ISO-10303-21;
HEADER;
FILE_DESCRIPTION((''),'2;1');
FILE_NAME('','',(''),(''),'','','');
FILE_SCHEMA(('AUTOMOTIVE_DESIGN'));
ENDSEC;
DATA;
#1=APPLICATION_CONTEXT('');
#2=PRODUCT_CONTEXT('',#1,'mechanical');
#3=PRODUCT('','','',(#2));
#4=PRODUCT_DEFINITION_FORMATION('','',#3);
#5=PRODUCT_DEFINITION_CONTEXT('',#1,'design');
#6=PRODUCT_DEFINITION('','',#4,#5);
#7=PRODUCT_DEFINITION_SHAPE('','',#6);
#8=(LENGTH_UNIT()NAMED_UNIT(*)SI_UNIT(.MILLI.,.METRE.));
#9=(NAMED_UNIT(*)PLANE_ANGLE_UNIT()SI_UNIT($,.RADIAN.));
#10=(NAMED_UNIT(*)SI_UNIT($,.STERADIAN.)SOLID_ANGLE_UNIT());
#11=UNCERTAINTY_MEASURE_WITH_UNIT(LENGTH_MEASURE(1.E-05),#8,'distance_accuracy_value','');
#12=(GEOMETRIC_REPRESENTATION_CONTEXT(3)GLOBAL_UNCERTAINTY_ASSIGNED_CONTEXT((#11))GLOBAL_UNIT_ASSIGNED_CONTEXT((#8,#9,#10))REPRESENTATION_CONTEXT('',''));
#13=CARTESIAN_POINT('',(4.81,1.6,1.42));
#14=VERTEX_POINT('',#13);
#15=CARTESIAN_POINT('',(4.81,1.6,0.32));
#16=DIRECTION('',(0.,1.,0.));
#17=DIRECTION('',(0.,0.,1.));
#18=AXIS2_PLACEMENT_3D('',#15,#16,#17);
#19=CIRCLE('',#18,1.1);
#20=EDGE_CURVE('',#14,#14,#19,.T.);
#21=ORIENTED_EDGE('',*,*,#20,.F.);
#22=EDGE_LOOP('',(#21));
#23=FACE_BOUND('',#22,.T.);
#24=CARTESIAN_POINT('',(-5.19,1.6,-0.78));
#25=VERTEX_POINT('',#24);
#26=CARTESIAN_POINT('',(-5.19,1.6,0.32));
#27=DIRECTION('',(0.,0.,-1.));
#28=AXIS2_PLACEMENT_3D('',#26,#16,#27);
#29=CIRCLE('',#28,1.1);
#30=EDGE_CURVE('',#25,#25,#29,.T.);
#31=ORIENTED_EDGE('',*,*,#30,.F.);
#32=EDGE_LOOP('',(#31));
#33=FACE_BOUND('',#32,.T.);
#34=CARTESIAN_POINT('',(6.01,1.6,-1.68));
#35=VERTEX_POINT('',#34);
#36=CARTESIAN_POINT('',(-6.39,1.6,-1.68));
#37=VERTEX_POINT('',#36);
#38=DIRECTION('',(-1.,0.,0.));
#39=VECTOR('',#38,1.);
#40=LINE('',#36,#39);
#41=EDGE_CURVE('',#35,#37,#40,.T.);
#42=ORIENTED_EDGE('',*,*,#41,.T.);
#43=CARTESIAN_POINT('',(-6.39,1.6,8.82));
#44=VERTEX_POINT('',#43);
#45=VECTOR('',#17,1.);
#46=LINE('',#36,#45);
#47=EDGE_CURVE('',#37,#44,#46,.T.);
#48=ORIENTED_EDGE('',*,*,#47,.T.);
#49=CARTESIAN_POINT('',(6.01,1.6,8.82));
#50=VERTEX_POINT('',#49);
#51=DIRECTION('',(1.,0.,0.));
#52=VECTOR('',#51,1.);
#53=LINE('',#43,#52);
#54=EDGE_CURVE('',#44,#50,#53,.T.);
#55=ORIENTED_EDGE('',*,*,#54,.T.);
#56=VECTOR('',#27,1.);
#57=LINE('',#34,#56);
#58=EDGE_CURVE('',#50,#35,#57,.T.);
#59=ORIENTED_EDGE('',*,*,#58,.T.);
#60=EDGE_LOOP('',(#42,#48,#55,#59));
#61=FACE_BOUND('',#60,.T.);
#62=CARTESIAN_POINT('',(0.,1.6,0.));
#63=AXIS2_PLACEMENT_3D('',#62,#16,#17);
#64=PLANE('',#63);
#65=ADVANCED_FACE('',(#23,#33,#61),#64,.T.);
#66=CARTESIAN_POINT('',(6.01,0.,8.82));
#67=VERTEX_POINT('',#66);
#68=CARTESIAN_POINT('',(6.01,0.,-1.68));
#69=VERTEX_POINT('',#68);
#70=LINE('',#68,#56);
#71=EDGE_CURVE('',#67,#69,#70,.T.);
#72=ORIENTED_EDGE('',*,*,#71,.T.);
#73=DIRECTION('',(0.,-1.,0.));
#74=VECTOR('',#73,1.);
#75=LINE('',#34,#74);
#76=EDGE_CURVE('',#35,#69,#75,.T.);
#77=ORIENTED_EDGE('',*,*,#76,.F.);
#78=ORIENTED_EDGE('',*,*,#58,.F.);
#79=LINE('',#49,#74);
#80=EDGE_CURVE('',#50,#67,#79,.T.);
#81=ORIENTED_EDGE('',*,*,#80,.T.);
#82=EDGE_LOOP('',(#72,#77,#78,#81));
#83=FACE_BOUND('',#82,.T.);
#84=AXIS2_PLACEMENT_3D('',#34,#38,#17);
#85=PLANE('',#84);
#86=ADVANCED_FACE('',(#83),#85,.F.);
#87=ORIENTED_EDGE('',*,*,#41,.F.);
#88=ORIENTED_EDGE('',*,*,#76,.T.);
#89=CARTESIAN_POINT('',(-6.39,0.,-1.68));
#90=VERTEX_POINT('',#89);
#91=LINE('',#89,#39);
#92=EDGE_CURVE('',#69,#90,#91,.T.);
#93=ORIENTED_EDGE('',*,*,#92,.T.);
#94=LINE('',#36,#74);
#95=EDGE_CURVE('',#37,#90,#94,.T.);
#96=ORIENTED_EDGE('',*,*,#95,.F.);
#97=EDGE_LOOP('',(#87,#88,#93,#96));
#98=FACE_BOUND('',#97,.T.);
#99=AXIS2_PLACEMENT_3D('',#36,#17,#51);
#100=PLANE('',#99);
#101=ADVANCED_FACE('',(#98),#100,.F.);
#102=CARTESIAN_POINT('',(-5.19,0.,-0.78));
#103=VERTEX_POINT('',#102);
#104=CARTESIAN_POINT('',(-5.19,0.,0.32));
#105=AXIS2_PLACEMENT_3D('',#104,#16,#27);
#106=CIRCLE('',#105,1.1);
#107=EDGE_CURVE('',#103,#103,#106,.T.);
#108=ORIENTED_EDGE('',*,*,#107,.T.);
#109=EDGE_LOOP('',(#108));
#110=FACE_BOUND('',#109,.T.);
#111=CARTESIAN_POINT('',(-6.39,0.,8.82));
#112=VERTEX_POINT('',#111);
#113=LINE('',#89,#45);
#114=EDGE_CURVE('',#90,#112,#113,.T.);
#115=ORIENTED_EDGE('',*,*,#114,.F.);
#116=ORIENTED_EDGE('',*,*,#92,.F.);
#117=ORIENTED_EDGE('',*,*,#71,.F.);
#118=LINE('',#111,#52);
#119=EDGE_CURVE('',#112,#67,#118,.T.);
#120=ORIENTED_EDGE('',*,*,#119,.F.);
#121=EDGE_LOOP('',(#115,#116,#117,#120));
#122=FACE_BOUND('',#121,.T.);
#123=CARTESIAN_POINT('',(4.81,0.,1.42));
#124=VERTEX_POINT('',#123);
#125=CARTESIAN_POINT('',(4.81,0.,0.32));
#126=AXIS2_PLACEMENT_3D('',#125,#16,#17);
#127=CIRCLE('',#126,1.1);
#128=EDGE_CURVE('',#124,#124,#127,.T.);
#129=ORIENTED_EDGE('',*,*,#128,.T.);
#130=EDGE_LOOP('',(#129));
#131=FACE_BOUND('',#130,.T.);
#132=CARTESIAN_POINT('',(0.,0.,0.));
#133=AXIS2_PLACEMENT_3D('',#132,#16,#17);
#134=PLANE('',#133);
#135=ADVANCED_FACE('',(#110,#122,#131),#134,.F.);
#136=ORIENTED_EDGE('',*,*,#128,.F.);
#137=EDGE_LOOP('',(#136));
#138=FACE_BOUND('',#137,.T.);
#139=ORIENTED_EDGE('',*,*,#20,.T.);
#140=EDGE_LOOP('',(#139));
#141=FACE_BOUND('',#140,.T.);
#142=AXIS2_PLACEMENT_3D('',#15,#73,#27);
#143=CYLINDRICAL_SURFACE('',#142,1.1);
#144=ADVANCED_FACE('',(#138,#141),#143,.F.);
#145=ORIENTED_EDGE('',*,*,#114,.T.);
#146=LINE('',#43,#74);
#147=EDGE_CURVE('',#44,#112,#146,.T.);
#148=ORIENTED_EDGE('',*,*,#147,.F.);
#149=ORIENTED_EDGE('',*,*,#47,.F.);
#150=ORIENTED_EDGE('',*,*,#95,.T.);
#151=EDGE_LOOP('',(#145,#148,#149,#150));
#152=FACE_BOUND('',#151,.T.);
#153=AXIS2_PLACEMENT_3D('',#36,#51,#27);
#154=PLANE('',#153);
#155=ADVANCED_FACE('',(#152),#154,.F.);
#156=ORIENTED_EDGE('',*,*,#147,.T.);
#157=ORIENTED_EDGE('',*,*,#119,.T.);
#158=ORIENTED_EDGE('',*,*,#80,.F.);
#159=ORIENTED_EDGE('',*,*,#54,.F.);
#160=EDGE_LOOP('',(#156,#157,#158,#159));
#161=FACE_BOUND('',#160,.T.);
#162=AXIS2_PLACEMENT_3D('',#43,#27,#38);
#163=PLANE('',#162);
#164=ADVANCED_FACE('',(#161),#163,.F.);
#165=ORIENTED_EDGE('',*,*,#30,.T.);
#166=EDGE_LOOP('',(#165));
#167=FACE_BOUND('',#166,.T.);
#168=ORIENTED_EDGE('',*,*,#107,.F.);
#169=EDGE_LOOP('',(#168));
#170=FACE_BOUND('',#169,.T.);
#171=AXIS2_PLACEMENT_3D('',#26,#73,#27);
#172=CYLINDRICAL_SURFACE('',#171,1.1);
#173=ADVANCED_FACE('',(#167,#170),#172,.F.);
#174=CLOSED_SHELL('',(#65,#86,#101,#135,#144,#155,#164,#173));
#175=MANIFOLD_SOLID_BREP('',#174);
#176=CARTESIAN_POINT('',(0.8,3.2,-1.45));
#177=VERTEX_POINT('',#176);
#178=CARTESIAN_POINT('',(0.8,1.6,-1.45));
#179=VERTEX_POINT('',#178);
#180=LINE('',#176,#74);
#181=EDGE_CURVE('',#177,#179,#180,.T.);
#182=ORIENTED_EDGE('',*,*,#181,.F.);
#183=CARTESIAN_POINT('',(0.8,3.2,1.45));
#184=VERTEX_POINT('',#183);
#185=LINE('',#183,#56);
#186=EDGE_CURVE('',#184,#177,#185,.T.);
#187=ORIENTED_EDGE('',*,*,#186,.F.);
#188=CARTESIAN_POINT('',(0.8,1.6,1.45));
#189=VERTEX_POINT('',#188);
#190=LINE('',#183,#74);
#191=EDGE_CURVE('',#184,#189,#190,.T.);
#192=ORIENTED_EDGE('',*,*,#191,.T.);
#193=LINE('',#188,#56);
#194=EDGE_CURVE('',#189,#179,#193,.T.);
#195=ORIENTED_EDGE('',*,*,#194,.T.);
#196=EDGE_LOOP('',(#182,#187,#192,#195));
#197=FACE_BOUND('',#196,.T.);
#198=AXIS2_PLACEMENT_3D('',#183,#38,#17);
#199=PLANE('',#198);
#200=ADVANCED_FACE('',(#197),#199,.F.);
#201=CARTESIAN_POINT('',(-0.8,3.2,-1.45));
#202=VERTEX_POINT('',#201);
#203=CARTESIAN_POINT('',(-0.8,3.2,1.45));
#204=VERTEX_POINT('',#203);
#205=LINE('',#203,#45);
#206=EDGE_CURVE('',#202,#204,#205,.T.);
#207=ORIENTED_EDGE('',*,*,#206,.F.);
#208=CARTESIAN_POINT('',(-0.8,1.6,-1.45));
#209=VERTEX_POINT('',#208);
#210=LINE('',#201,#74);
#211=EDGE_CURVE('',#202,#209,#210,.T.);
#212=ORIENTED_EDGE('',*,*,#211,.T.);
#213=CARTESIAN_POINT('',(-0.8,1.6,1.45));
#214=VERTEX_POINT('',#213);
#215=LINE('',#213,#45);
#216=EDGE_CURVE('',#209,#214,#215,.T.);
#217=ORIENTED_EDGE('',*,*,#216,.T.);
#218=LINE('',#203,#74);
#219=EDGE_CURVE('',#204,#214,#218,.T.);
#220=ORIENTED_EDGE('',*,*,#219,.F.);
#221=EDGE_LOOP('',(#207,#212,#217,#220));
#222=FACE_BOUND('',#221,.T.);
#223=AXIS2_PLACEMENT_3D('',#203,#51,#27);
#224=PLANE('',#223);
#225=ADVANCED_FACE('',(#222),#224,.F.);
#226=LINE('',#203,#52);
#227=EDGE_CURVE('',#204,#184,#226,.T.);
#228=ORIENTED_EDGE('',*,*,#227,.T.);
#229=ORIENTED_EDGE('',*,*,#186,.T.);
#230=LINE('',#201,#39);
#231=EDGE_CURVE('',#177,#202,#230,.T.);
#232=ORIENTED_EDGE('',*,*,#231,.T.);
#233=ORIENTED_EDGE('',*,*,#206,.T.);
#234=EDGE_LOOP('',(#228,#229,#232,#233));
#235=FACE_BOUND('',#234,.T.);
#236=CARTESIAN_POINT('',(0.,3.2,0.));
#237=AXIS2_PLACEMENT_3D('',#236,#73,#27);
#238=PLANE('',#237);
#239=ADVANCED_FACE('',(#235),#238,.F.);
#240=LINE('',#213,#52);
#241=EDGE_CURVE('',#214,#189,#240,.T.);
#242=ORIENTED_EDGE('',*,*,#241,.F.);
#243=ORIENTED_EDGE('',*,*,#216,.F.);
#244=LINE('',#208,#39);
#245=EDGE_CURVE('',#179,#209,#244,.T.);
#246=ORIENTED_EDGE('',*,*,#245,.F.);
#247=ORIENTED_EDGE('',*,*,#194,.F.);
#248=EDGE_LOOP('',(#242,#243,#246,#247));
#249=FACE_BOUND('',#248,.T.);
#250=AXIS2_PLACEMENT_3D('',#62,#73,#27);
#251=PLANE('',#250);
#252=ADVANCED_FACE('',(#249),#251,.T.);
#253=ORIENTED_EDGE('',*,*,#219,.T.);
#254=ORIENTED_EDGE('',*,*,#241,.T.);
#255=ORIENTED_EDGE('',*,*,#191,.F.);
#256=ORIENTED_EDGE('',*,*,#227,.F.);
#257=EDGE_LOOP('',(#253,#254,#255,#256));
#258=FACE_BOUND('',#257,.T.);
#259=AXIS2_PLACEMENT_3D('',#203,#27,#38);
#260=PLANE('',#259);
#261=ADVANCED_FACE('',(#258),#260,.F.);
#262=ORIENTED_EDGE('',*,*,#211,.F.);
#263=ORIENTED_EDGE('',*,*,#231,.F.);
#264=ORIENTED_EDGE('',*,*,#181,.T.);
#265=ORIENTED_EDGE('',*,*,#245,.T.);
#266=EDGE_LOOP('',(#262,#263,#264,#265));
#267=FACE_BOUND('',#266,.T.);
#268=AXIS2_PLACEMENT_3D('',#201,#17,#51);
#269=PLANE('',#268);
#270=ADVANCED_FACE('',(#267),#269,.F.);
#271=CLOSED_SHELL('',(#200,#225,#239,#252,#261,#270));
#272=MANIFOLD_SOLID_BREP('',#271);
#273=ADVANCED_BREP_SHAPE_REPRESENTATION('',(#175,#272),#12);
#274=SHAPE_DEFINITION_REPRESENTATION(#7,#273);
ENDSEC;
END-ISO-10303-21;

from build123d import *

# Parameters (mm, degrees)
SKETCH1_W           = 12.4
SKETCH1_H           = 10.5
BOSS_EXTRUDE1_DEPTH = 1.6
SKETCH2_R           = 1.1
CUT_EXTRUDE1_DEPTH  = 2.6
SKETCH3_W           = 1.6
SKETCH3_H           = 2.9
BOSS_EXTRUDE2_DEPTH = 1.6


with BuildPart() as part:
    # Sketch1 → Boss-Extrude1 (new body)
    with BuildSketch(Plane(origin=(0, 0, 0), x_dir=(1, 0, 0), z_dir=(0, 1, 0))):
        with Locations((-0.19, -3.57)):
            Rectangle(SKETCH1_W, SKETCH1_H)
    extrude(amount=BOSS_EXTRUDE1_DEPTH)

    # Sketch2 → Cut-Extrude1 (cut, through all)
    with BuildSketch(Plane(origin=(0, 0, 0), x_dir=(1, 0, 0), z_dir=(0, 1, 0))):
        with Locations((4.81, -0.32)):
            Circle(SKETCH2_R)
        with Locations((-5.19, -0.32)):
            Circle(SKETCH2_R)
    extrude(amount=CUT_EXTRUDE1_DEPTH, mode=Mode.SUBTRACT)


with BuildPart() as body_2:
    # Sketch3 → Boss-Extrude2 (new body)
    with BuildSketch(Plane(origin=(0, 1.6, 0), x_dir=(1, 0, 0), z_dir=(0, 1, 0))):
        Rectangle(SKETCH3_W, SKETCH3_H)
    extrude(amount=BOSS_EXTRUDE2_DEPTH)


solid = Compound([part.part, body_2.part])
